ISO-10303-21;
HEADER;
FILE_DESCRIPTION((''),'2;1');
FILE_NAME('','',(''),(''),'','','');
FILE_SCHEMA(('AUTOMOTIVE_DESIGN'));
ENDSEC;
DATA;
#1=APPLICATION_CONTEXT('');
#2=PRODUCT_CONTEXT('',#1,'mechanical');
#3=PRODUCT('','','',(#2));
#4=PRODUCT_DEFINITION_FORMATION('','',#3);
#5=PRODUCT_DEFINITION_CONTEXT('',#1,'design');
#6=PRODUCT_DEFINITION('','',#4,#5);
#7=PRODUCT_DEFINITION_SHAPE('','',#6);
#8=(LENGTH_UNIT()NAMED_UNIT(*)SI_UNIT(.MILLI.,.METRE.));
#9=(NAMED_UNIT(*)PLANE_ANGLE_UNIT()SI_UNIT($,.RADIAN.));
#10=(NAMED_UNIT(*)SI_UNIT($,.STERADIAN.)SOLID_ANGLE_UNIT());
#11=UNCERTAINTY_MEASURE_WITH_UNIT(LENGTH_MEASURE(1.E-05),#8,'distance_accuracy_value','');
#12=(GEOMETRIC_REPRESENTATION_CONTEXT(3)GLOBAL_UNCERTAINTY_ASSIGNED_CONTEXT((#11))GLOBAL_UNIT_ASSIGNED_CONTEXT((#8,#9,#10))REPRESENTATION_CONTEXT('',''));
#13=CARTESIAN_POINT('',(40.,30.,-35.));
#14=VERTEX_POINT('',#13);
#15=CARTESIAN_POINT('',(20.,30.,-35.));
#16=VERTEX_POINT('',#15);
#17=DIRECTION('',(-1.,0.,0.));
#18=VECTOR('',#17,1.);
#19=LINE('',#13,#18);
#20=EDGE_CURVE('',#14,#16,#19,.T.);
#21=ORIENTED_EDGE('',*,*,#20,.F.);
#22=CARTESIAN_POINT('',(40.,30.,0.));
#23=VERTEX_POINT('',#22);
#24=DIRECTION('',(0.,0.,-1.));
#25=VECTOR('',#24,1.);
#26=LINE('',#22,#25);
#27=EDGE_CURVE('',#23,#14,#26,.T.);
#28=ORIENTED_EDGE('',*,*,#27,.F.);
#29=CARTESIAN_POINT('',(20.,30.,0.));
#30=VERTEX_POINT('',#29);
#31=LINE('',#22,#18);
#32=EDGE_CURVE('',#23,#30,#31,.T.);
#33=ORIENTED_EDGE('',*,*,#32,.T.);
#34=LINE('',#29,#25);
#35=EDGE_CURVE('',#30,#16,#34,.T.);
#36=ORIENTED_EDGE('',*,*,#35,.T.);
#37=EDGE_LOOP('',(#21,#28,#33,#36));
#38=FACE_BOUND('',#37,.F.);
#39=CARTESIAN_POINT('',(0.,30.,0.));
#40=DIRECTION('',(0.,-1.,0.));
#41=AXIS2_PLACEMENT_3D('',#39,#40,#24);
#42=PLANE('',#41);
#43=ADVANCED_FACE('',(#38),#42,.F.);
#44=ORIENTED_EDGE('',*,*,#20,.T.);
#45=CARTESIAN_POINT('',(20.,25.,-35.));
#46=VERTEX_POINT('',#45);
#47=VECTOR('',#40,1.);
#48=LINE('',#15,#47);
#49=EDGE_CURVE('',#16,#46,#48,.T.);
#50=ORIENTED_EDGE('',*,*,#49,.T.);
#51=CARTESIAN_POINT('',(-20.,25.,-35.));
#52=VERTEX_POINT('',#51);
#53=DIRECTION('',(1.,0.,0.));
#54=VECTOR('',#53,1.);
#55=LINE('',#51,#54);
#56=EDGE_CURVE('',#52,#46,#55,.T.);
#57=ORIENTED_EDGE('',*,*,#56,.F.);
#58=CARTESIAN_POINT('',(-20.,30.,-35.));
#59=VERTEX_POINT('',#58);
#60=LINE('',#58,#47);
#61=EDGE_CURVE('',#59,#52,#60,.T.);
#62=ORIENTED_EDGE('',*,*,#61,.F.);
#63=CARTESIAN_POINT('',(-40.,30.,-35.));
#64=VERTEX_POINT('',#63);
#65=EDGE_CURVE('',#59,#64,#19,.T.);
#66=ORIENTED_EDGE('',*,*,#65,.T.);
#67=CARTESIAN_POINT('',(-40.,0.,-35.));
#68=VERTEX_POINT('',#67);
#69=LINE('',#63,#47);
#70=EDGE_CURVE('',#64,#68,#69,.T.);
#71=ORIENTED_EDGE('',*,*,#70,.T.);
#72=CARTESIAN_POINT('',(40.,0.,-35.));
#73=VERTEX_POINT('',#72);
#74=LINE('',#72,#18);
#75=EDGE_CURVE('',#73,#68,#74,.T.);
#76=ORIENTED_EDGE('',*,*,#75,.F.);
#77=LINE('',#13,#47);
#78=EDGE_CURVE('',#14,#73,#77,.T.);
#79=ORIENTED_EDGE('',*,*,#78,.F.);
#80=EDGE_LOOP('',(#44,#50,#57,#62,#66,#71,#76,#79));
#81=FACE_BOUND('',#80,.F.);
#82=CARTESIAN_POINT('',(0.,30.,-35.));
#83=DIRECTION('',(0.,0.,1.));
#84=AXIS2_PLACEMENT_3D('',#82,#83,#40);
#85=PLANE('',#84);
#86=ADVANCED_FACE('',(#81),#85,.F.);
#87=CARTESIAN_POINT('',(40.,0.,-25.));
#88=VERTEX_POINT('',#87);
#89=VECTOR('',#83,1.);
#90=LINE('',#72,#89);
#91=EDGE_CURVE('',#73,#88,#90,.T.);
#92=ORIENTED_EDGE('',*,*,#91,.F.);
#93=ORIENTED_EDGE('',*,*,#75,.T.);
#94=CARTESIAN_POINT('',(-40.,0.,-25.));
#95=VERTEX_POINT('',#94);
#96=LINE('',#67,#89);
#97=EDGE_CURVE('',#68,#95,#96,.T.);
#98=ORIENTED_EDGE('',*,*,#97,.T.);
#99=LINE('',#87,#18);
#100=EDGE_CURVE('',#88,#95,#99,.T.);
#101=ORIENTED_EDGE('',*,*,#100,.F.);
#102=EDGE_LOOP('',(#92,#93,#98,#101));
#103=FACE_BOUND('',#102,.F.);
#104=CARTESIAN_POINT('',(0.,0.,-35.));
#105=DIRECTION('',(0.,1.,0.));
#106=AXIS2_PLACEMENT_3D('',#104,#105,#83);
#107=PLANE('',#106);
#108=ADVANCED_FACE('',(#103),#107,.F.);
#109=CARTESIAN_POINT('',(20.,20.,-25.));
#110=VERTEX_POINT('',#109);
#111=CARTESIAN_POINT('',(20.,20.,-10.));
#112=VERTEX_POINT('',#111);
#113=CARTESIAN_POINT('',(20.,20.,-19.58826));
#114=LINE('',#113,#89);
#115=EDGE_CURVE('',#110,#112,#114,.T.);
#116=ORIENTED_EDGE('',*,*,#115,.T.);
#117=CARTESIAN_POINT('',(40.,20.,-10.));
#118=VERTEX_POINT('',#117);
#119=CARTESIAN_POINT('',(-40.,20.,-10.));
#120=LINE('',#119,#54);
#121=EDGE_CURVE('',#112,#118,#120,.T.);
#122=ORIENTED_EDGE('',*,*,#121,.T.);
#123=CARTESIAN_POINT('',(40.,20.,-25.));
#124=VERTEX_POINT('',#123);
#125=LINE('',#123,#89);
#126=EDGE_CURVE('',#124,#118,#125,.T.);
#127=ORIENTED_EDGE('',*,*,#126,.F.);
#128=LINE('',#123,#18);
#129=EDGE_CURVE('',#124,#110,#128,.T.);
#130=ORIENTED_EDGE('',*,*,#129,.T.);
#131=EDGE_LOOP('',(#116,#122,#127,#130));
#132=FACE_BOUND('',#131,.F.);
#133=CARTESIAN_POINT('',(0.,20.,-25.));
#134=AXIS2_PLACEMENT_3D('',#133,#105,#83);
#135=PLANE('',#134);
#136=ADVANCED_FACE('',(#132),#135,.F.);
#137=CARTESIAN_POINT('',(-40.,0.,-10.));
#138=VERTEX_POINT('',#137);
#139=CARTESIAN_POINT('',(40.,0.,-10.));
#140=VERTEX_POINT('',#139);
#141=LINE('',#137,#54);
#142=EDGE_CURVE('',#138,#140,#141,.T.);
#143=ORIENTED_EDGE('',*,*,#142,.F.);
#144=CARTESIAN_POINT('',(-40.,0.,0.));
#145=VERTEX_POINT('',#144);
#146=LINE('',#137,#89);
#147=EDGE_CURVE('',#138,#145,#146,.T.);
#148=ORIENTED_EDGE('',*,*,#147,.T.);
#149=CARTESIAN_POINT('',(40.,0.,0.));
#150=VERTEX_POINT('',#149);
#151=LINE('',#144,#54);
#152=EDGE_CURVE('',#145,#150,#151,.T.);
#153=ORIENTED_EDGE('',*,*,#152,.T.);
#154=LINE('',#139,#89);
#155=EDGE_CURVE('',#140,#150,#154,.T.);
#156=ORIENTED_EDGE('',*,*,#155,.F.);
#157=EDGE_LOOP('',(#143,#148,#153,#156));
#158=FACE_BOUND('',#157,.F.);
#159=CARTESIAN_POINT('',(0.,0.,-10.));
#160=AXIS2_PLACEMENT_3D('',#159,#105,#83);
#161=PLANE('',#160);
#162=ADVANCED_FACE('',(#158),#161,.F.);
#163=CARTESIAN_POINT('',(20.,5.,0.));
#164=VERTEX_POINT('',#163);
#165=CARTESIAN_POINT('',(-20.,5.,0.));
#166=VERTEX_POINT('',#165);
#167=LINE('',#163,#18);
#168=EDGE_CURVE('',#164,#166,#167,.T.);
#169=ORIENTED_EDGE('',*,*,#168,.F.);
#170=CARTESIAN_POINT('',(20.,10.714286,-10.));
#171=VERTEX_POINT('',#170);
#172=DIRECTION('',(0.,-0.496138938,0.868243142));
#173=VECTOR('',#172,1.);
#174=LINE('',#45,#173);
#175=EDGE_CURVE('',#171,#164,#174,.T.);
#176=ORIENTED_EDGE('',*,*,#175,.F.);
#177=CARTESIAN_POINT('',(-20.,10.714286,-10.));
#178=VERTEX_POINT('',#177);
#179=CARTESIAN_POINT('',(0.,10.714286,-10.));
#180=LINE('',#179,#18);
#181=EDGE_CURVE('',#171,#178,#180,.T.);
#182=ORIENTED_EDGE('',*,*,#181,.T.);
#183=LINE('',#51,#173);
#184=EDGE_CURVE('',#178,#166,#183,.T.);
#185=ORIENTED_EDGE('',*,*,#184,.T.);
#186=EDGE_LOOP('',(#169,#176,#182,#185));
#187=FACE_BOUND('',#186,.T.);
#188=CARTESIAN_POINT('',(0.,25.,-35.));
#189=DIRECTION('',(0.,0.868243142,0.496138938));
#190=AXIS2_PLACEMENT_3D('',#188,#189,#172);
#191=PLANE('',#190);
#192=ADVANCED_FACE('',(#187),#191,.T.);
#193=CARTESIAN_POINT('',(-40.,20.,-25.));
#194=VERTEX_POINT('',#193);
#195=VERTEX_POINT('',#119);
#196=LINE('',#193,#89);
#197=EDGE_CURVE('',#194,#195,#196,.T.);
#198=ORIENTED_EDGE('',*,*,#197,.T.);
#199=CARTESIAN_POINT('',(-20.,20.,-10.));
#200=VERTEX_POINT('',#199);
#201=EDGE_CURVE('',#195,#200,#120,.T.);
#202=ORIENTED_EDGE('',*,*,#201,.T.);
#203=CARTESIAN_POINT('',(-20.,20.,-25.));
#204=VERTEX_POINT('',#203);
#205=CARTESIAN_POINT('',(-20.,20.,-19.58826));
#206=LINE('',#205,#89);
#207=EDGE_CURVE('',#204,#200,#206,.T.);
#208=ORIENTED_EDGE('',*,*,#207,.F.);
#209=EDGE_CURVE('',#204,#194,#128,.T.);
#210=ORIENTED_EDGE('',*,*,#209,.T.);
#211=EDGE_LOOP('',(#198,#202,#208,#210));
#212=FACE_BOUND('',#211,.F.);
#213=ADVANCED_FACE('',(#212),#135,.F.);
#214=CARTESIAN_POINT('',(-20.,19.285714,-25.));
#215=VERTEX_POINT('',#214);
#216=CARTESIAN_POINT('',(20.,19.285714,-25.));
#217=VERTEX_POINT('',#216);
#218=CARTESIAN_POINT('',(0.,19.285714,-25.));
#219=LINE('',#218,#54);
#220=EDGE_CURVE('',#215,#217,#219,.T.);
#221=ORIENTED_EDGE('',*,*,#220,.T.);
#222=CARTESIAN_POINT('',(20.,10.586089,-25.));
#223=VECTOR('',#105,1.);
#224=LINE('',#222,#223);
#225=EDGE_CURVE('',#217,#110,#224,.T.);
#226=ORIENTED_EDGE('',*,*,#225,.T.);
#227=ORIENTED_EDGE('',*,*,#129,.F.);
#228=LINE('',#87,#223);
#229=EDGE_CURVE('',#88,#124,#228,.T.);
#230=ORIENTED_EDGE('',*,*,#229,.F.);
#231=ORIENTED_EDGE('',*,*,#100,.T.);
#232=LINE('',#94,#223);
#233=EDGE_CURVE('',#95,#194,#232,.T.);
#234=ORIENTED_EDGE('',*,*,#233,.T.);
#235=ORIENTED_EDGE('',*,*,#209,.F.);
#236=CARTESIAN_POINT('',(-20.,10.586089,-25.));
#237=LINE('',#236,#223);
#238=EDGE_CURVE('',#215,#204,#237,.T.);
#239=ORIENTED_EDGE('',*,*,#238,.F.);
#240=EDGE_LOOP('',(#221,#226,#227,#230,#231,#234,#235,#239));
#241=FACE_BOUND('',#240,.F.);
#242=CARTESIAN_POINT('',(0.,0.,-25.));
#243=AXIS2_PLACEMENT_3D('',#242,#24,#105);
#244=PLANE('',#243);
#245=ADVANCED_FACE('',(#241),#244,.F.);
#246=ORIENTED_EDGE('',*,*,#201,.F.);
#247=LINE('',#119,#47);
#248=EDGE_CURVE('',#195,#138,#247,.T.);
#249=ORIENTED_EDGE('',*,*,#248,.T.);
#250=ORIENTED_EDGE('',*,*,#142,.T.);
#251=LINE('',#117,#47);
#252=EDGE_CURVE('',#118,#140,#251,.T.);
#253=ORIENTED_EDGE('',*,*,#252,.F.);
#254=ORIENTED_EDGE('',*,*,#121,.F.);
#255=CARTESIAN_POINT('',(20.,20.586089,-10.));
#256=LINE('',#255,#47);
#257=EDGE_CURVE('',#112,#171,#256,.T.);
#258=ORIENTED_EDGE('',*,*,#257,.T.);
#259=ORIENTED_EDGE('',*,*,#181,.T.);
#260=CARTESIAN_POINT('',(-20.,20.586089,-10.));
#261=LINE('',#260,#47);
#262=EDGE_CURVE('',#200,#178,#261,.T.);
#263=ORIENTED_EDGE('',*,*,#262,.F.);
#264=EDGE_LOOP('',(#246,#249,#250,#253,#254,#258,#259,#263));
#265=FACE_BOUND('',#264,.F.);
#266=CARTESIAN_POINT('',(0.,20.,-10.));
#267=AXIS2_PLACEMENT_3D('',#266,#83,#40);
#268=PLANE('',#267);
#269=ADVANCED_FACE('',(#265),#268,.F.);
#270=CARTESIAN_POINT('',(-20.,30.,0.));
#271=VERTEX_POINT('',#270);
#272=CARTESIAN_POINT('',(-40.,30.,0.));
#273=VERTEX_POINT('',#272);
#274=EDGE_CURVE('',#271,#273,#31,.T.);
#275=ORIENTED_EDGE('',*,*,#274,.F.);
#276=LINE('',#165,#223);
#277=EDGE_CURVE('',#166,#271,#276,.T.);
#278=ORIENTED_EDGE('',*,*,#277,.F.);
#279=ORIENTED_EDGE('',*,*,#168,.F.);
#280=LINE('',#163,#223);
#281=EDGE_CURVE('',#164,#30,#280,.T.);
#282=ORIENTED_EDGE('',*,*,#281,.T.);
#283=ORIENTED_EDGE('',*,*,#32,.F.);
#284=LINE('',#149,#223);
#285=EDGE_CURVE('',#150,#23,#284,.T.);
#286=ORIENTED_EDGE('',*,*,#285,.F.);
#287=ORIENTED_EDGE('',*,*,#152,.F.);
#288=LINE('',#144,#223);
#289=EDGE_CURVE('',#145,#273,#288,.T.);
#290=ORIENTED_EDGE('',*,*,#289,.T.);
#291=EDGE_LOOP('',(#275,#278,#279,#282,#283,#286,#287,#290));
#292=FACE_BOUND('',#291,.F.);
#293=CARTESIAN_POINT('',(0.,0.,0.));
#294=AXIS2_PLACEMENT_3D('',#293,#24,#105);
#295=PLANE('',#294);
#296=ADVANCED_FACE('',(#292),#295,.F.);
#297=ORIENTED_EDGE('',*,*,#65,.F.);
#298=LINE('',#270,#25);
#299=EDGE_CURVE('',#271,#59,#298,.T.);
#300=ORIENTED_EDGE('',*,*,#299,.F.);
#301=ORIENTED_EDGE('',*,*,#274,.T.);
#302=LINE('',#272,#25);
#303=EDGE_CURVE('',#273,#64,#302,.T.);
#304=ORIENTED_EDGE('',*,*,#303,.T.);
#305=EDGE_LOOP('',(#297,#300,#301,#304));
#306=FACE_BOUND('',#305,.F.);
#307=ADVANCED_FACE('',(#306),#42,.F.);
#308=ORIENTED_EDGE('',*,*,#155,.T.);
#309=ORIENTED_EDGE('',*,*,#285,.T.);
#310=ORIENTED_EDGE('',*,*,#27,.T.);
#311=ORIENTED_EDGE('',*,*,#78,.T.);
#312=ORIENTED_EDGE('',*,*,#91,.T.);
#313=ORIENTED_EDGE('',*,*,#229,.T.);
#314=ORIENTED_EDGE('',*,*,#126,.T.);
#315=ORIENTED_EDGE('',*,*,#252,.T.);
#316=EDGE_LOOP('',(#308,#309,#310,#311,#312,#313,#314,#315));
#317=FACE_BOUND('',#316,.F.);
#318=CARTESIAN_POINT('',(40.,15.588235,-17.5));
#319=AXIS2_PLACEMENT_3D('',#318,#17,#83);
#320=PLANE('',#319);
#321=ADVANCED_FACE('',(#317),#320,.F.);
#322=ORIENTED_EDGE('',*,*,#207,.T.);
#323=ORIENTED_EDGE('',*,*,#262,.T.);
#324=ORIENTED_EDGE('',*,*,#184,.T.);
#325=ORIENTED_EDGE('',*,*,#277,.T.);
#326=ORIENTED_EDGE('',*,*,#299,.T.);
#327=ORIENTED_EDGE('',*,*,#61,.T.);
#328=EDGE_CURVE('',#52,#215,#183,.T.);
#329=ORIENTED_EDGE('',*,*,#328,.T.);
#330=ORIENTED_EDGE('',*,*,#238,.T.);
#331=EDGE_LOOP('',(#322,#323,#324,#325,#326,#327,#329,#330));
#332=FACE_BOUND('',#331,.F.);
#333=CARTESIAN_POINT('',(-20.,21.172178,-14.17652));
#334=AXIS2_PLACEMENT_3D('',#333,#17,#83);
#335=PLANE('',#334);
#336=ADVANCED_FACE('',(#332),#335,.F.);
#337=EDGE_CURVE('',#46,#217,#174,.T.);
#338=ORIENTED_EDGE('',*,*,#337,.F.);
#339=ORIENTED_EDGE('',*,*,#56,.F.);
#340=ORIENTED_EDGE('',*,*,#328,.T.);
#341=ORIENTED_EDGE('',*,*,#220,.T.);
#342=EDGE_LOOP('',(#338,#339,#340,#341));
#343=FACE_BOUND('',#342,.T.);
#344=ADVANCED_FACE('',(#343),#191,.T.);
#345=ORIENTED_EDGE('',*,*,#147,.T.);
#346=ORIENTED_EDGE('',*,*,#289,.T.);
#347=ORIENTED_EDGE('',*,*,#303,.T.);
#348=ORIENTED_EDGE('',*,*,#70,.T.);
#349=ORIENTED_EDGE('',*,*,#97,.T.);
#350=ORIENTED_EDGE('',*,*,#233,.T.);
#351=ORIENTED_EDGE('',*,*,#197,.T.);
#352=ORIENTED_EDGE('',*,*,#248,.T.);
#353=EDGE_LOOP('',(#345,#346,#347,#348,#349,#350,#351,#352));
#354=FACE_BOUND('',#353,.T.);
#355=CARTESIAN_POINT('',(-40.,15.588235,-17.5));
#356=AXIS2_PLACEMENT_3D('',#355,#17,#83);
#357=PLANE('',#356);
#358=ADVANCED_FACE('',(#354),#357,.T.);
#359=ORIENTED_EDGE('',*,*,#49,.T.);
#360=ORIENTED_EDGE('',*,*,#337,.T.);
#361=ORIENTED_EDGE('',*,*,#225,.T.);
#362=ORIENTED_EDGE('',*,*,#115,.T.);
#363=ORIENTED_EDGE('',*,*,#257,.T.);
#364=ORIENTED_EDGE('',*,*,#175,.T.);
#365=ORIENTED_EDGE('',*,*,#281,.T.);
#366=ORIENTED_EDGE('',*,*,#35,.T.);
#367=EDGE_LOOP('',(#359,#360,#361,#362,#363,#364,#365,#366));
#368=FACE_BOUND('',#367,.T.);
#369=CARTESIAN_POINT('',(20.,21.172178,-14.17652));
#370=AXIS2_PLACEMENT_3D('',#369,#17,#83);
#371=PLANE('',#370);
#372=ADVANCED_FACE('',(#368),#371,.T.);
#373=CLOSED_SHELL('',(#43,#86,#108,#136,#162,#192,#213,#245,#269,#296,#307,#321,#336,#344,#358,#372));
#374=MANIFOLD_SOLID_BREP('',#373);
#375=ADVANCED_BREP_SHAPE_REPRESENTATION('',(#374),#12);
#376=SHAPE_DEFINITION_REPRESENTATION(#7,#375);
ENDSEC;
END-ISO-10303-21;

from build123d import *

# Parameters (mm, degrees)
BOSS_EXTRUDE1_DEPTH = 40
CUT_EXTRUDE2_DEPTH  = 20


with BuildPart() as part:
    # Sketch1 → Boss-Extrude1 (new body, symmetric)
    with BuildSketch(Plane(origin=(0, 0, 0), x_dir=(0, 0, -1), z_dir=(1, 0, 0))):
        Polygon((0, 0), (0, 30), (35, 30), (35, 0), (25, 0), (25, 20), (10, 20), (10, 0), align=None)
    extrude(amount=BOSS_EXTRUDE1_DEPTH, both=True)

    # Sketch2 → Cut-Extrude2 (cut, symmetric)
    with BuildSketch(Plane(origin=(0, 0, 0), x_dir=(0, 0, -1), z_dir=(1, 0, 0))):
        Polygon((35, 25), (0, 5), (0, 30), (35, 30), align=None)
    extrude(amount=CUT_EXTRUDE2_DEPTH, both=True, mode=Mode.SUBTRACT)


solid = part.part
